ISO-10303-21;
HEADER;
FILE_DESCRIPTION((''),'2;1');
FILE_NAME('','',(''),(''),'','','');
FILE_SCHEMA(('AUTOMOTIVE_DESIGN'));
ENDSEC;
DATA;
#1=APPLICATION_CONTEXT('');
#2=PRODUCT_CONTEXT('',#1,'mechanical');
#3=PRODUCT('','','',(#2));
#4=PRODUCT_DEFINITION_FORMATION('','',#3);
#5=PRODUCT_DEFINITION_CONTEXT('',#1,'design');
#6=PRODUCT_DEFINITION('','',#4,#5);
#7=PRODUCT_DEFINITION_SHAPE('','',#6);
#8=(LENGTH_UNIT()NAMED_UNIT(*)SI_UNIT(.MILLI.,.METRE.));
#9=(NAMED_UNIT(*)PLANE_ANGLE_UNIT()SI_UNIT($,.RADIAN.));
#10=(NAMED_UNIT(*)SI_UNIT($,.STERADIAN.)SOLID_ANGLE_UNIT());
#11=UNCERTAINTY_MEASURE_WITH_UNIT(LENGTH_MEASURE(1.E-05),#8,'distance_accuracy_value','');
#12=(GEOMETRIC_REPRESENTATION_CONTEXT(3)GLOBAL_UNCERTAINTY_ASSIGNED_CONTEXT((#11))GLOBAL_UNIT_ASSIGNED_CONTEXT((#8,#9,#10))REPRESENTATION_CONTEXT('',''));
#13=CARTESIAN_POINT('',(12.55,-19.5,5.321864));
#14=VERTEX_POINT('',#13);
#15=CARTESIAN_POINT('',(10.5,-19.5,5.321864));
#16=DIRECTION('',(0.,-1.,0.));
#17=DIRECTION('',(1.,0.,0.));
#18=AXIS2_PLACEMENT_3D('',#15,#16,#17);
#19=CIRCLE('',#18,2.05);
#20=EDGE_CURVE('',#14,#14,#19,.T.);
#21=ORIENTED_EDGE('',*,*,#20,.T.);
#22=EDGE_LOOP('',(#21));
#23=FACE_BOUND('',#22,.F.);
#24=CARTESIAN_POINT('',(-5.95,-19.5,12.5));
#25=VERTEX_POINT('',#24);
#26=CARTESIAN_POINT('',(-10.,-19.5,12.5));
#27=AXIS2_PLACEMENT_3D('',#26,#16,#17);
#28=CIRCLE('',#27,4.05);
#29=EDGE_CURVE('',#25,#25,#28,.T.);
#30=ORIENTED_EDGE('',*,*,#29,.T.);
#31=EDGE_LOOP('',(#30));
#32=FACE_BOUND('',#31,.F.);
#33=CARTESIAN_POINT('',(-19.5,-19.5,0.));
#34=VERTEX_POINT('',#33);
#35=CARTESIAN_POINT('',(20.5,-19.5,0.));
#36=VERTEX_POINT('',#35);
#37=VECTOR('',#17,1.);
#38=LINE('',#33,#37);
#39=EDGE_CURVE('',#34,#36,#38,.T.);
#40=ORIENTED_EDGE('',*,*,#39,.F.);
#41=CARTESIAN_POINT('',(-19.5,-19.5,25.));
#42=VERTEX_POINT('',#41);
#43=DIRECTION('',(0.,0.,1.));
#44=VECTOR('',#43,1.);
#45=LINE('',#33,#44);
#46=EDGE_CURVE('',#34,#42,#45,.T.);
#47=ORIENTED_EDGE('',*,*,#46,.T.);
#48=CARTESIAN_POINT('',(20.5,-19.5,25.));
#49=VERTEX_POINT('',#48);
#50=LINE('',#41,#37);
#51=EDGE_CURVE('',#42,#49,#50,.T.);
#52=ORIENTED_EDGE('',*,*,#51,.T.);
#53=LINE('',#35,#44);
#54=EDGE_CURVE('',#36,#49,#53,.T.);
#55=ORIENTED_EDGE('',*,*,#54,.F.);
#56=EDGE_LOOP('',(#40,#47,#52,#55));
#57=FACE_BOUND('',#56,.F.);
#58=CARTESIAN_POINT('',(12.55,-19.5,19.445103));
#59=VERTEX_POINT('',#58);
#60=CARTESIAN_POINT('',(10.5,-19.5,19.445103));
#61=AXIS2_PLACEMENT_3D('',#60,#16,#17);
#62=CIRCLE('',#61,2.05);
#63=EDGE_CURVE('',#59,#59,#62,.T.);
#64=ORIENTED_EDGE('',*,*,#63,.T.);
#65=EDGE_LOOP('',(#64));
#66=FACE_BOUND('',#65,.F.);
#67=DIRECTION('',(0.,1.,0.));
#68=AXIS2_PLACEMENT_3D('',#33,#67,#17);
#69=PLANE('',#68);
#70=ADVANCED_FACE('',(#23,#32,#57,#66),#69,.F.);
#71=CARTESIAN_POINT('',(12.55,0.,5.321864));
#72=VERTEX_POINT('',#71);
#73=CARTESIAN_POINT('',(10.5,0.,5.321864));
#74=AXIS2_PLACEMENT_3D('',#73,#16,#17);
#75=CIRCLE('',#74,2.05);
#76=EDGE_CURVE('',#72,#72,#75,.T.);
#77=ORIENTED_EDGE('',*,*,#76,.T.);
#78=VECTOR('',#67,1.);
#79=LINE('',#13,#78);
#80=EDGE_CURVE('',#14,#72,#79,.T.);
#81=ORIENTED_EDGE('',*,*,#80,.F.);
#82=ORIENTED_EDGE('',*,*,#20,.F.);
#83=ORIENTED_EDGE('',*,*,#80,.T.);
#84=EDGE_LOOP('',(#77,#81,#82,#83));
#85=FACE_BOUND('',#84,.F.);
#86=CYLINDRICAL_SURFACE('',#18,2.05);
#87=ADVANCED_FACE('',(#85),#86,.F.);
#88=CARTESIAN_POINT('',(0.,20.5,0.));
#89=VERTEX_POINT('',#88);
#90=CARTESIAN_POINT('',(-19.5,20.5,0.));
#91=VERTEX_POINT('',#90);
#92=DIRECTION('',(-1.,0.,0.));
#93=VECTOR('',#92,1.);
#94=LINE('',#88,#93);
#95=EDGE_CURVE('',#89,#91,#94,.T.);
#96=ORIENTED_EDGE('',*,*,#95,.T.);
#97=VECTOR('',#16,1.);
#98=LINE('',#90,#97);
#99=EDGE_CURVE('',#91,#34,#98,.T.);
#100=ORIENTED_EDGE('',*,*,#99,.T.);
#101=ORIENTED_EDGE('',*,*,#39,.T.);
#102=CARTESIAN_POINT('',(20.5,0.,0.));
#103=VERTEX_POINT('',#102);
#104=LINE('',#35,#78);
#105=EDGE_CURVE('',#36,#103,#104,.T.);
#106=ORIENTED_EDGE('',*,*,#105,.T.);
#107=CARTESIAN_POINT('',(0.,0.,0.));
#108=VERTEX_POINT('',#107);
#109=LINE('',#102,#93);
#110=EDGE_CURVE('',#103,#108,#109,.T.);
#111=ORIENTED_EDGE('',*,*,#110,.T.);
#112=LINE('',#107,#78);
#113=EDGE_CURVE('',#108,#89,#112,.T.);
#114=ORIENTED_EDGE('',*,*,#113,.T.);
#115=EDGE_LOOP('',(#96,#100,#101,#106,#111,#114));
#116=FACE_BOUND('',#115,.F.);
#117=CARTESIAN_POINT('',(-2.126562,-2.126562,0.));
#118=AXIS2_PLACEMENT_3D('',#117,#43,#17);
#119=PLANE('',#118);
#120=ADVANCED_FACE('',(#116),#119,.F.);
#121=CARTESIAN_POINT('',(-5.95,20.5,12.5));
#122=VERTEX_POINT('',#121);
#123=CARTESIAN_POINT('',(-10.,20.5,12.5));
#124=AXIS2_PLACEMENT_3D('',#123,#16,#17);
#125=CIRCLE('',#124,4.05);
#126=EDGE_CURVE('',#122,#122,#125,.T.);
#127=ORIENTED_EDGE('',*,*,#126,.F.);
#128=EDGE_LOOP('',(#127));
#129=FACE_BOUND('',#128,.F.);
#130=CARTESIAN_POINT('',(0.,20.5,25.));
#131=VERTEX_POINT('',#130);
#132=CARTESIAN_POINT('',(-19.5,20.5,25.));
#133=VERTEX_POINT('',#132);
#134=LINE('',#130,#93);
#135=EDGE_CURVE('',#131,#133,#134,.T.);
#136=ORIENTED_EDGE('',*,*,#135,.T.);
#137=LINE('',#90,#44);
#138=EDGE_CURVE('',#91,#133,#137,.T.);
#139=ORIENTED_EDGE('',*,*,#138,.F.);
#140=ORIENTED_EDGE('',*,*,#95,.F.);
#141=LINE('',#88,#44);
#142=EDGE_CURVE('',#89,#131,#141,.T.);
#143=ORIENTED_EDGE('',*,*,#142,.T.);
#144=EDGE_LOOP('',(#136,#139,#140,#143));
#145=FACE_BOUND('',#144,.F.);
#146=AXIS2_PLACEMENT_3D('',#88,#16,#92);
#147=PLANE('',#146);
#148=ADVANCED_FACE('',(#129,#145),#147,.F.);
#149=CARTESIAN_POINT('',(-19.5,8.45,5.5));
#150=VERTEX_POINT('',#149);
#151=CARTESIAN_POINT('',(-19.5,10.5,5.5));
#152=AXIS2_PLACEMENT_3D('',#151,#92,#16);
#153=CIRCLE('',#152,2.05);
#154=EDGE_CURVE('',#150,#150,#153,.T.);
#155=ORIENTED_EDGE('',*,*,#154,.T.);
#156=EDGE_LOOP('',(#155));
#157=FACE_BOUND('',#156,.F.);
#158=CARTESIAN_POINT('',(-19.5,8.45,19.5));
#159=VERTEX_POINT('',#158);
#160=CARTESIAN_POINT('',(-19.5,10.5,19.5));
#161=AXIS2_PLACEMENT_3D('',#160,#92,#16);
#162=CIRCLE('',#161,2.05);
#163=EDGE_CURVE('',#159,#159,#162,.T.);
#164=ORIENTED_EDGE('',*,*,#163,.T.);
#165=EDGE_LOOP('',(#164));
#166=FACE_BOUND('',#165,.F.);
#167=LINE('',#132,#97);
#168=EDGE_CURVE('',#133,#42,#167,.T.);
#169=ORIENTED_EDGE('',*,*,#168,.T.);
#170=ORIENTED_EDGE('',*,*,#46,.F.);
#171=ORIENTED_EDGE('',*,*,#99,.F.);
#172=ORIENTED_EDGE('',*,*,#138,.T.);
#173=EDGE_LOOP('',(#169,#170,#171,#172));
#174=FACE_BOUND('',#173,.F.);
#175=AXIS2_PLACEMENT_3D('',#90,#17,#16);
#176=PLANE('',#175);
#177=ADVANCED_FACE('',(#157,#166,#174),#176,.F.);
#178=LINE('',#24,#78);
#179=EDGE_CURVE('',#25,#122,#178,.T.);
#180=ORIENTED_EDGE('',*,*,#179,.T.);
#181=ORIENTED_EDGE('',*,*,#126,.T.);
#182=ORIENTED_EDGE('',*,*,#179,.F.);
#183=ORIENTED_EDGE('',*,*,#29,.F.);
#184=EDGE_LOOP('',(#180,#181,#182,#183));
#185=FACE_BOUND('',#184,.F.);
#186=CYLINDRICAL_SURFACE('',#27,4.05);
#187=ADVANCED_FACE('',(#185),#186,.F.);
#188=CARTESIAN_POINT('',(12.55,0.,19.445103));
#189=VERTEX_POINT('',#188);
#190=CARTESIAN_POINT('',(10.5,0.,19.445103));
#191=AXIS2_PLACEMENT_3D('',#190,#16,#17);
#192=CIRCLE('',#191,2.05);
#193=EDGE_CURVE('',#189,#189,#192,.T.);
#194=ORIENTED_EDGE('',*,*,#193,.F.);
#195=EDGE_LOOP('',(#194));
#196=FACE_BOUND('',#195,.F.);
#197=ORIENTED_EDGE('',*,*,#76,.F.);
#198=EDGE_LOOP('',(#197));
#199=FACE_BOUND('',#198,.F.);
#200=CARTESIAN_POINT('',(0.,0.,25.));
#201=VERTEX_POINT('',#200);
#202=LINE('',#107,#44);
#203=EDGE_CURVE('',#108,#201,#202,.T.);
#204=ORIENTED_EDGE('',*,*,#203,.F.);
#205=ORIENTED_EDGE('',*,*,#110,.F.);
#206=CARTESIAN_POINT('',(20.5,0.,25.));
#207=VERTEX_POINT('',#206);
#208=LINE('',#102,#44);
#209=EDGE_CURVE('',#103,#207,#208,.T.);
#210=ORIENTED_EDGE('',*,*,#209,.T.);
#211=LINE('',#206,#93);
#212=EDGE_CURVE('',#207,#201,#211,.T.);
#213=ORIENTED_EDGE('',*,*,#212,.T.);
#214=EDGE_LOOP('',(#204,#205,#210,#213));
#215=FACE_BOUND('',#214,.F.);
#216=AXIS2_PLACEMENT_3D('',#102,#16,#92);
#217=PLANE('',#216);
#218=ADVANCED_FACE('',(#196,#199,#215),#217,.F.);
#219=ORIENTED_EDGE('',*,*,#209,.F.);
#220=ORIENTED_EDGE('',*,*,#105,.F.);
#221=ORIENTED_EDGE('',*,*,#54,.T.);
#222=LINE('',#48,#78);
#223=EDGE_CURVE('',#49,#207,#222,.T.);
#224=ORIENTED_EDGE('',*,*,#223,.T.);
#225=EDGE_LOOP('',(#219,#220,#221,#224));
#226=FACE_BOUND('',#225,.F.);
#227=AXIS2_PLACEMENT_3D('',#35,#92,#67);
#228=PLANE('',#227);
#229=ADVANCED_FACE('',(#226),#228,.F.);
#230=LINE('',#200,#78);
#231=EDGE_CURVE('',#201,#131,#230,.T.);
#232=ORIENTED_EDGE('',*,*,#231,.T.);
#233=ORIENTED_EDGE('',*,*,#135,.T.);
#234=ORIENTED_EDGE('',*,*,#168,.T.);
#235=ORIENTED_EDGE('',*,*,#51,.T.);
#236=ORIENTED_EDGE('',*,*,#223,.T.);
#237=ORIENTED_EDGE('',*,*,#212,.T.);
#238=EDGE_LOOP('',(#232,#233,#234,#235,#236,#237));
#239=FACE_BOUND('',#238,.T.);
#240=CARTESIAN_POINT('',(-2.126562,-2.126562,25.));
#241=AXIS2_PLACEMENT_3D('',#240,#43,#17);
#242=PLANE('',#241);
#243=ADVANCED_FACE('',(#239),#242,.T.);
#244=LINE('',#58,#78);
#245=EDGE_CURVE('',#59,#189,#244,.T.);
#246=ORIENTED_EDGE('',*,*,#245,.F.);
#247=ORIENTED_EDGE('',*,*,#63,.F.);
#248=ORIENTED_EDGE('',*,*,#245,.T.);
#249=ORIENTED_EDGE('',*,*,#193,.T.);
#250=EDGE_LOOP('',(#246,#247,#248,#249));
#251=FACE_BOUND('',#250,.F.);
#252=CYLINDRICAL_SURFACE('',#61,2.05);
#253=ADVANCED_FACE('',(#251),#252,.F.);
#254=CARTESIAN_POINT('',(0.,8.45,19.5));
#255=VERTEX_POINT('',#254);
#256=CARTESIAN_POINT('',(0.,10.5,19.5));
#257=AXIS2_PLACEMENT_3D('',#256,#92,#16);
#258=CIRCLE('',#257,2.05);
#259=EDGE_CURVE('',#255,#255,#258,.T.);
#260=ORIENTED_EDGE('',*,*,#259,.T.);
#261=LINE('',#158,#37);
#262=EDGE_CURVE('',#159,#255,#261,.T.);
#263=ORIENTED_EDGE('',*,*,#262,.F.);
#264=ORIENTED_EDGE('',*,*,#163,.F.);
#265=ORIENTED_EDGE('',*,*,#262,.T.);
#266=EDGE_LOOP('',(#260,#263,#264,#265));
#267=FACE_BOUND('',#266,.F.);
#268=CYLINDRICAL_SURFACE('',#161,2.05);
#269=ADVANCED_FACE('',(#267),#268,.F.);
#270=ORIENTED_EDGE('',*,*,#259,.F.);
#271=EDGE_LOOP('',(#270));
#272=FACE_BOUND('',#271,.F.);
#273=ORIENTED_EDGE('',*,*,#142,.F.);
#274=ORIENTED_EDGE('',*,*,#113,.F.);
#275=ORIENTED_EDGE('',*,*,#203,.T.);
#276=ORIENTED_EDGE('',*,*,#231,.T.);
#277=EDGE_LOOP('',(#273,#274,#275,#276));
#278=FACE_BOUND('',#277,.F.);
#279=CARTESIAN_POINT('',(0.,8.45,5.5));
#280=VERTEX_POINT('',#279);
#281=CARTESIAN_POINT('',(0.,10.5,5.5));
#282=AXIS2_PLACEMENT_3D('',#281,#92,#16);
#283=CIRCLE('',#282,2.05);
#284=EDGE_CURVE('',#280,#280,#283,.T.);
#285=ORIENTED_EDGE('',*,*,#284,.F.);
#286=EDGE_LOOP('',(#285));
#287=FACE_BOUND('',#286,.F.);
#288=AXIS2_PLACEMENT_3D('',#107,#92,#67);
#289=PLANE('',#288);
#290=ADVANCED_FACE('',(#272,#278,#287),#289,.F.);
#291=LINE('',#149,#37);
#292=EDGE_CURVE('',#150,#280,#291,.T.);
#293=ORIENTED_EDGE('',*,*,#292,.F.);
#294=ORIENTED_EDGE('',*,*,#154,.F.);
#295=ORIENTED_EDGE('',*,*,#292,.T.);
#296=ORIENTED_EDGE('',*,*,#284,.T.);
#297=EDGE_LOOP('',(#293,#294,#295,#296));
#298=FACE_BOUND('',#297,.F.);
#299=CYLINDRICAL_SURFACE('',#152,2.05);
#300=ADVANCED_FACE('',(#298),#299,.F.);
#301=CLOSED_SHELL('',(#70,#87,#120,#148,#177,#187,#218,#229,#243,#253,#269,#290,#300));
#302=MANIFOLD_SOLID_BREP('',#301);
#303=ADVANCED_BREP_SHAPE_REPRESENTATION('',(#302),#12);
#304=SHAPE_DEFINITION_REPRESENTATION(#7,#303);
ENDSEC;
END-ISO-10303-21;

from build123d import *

# Parameters (mm, degrees)
F1_DEPTH = 25
F2_R     = 2.05
F2_R_2   = 4.05
F3_DEPTH = 45
F4_R     = 2.05
F5_DEPTH = 25


with BuildPart() as f1:
    # F0 (on Top) → F1 (new body)
    with BuildSketch(Plane.XY):
        Polygon((0, 20.5), (-19.5, 20.5), (-19.5, -19.5), (20.5, -19.5), (20.5, 0), (0, 0), align=None)
    extrude(amount=F1_DEPTH)

    # F2 (on face) → F3 (cut)
    with BuildSketch(Plane.XZ.offset(19.5)):
        with Locations((10.5, 19.445103)):
            Circle(F2_R)
        with Locations((10.5, 5.321864)):
            Circle(F2_R)
        with Locations((-10, 12.5)):
            Circle(F2_R_2)
    extrude(amount=-F3_DEPTH, mode=Mode.SUBTRACT)

    # F4 (on face) → F5 (cut)
    with BuildSketch(Plane(origin=(-19.5, 0, 0), x_dir=(0, -1, 0), z_dir=(-1, 0, 0))):
        with Locations((-10.5, 19.5)):
            Circle(F4_R)
        with Locations((-10.5, 5.5)):
            Circle(F4_R)
    extrude(amount=-F5_DEPTH, mode=Mode.SUBTRACT)


solid = f1.part
